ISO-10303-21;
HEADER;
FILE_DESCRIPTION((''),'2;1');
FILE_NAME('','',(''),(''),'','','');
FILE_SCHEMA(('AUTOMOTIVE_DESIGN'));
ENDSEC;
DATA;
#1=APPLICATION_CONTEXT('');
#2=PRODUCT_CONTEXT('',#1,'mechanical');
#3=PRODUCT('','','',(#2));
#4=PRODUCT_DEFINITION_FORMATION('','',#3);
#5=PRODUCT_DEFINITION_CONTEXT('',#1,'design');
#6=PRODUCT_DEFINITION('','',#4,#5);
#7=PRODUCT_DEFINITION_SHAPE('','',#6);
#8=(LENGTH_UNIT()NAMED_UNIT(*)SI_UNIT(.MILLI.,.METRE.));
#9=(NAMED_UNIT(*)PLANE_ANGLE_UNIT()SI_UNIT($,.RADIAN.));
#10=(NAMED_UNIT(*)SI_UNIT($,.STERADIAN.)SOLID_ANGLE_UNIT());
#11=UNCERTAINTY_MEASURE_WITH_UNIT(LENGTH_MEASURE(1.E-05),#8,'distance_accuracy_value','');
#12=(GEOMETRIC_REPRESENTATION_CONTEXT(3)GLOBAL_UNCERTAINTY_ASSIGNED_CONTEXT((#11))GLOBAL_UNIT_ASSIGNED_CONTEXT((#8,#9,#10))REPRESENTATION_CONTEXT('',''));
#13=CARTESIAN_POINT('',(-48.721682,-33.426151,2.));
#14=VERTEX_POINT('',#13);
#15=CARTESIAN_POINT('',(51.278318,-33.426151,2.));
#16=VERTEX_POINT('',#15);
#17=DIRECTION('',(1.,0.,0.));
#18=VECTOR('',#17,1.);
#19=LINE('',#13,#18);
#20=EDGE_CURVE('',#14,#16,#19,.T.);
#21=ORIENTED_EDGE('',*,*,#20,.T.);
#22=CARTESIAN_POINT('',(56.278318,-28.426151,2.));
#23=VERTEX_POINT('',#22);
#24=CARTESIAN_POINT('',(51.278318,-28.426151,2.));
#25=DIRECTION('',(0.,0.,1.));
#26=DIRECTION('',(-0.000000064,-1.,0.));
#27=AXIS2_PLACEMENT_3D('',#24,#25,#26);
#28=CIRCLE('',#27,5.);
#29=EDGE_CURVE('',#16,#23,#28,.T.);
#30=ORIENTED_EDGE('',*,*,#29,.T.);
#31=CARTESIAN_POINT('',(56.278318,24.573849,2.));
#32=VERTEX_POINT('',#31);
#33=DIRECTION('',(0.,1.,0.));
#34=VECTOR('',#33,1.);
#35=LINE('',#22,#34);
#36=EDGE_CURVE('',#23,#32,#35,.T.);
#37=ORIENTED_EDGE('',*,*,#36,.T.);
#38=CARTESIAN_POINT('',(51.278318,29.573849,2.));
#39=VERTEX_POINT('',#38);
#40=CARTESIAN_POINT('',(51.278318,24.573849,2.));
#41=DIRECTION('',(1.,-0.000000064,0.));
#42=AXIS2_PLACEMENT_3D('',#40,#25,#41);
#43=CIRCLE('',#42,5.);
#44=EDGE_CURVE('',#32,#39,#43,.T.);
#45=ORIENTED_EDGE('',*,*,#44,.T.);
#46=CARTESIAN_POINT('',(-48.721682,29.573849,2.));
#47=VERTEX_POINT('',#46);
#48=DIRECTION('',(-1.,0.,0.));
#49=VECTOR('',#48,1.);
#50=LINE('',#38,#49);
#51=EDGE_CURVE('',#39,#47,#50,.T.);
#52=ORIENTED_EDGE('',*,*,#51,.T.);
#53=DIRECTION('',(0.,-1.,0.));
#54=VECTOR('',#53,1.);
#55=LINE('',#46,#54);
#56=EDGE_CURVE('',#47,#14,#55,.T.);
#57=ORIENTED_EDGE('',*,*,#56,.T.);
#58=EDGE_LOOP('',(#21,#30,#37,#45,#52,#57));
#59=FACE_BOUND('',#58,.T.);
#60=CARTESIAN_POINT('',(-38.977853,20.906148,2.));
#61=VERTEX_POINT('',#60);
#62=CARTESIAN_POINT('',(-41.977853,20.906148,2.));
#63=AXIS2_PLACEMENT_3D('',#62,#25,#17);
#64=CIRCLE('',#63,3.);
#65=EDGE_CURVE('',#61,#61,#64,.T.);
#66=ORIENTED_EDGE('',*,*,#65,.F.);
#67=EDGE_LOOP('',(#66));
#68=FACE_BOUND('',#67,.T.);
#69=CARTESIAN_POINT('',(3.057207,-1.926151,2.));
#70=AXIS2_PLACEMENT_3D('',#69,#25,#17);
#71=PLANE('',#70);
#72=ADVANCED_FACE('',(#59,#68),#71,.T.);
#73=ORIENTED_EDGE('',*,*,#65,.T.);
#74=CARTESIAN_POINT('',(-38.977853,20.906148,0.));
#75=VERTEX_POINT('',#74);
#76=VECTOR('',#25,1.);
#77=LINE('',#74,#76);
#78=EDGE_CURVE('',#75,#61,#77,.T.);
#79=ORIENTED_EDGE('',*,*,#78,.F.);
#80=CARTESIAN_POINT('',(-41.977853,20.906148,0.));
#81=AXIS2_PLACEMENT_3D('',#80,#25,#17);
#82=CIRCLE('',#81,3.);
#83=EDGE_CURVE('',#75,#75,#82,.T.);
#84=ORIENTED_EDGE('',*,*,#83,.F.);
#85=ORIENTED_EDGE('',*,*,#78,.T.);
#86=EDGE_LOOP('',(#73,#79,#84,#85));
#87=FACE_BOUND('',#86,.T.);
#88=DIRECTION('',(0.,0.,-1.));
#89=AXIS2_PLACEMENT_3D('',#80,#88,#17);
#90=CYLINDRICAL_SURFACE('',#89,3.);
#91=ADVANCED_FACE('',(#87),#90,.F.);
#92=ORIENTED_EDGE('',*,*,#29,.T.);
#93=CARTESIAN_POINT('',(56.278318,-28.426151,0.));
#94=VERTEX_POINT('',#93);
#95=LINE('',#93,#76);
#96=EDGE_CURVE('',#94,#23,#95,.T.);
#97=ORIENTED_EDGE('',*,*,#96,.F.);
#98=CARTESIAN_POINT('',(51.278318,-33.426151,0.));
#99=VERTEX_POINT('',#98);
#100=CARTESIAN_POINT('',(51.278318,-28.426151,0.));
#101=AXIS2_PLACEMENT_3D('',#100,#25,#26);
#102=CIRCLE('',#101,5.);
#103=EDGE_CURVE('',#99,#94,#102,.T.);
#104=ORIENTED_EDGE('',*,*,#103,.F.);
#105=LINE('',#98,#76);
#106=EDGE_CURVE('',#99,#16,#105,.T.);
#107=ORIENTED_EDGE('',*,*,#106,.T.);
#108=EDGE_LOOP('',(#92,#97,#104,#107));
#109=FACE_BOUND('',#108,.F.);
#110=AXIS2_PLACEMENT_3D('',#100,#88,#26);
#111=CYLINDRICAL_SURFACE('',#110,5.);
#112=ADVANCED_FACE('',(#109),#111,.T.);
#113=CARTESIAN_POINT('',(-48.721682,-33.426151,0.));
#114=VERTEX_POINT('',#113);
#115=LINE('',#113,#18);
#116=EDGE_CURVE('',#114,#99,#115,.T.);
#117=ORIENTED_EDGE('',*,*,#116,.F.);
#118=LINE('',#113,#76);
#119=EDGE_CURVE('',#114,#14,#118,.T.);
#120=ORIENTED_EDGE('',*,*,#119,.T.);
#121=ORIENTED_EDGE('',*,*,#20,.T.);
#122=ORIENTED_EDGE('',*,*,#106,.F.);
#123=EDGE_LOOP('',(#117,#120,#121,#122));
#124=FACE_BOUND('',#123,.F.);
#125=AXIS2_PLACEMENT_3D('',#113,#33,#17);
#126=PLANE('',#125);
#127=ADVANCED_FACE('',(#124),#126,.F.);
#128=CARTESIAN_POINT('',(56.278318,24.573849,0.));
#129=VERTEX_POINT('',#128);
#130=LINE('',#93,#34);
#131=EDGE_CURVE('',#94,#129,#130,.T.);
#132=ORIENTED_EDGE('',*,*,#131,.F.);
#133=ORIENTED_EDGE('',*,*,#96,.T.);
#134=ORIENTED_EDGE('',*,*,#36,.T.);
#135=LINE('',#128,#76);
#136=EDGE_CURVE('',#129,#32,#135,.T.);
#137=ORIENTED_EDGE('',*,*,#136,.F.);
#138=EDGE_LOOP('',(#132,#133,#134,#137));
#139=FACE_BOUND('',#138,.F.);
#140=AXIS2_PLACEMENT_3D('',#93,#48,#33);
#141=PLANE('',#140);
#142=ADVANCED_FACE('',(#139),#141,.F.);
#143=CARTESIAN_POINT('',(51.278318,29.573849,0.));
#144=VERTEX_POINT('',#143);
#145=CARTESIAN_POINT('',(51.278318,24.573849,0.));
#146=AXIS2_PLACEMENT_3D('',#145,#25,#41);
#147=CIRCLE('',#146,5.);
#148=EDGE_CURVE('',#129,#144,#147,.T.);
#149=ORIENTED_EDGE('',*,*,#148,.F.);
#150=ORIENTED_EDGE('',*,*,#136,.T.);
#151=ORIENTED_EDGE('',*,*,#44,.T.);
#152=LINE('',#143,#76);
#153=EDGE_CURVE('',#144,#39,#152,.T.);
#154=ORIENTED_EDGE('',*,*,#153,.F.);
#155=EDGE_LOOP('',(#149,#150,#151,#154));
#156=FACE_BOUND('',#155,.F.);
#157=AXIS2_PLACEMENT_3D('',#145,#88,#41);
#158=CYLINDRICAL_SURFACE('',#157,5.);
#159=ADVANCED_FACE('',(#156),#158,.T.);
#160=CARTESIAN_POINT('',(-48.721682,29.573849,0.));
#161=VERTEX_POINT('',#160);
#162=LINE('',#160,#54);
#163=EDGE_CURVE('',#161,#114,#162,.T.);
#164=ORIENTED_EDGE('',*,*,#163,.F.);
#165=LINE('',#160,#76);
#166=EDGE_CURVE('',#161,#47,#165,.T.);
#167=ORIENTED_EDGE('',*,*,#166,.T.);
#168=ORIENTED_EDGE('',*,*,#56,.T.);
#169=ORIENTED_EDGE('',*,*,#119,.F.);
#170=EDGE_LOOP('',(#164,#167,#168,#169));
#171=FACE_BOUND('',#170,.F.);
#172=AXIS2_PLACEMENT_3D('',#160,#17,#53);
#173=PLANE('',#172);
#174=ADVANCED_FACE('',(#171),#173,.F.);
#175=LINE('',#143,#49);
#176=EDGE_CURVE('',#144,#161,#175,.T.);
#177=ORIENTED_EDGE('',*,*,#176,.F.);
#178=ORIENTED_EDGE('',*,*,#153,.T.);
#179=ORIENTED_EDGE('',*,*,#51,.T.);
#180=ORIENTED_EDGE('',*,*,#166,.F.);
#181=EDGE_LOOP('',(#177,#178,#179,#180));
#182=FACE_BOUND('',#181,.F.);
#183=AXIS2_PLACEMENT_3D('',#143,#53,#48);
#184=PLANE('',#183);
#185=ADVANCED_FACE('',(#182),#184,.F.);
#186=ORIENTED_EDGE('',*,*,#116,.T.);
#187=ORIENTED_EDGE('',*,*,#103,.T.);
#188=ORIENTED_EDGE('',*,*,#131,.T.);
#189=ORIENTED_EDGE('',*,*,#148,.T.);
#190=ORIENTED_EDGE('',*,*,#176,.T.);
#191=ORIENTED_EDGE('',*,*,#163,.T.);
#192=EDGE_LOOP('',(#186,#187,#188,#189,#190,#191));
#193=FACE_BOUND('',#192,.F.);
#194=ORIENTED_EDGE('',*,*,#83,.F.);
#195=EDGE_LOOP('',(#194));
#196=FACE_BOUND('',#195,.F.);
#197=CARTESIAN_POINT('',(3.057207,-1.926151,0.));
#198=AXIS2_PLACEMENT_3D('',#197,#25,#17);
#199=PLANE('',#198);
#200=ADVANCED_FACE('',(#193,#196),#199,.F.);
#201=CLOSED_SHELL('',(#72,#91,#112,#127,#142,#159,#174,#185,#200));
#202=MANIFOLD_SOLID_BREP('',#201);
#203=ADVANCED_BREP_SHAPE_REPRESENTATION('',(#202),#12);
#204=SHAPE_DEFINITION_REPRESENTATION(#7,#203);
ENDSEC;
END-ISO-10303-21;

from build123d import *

# Parameters (mm, degrees)
F0_R     = 3
F1_DEPTH = 2


with BuildPart() as f1:
    # F0 (on Top) → F1 (new body)
    with BuildSketch(Plane.XY):
        with BuildLine():
            Line((56.278318, -28.426151), (56.278318, 24.573849))
            ThreePointArc((56.278318, 24.573849), (54.813852, 28.109383), (51.278318, 29.573849))
            Line((51.278318, 29.573849), (-48.721682, 29.573849))
            Line((-48.721682, 29.573849), (-48.721682, -33.426151))
            Line((-48.721682, -33.426151), (51.278318, -33.426151))
            ThreePointArc((51.278318, -33.426151), (54.813852, -31.961685), (56.278318, -28.426151))
        make_face()
        with Locations((-41.977853, 20.906148)):
            Circle(F0_R, mode=Mode.SUBTRACT)
    extrude(amount=F1_DEPTH)


solid = f1.part
